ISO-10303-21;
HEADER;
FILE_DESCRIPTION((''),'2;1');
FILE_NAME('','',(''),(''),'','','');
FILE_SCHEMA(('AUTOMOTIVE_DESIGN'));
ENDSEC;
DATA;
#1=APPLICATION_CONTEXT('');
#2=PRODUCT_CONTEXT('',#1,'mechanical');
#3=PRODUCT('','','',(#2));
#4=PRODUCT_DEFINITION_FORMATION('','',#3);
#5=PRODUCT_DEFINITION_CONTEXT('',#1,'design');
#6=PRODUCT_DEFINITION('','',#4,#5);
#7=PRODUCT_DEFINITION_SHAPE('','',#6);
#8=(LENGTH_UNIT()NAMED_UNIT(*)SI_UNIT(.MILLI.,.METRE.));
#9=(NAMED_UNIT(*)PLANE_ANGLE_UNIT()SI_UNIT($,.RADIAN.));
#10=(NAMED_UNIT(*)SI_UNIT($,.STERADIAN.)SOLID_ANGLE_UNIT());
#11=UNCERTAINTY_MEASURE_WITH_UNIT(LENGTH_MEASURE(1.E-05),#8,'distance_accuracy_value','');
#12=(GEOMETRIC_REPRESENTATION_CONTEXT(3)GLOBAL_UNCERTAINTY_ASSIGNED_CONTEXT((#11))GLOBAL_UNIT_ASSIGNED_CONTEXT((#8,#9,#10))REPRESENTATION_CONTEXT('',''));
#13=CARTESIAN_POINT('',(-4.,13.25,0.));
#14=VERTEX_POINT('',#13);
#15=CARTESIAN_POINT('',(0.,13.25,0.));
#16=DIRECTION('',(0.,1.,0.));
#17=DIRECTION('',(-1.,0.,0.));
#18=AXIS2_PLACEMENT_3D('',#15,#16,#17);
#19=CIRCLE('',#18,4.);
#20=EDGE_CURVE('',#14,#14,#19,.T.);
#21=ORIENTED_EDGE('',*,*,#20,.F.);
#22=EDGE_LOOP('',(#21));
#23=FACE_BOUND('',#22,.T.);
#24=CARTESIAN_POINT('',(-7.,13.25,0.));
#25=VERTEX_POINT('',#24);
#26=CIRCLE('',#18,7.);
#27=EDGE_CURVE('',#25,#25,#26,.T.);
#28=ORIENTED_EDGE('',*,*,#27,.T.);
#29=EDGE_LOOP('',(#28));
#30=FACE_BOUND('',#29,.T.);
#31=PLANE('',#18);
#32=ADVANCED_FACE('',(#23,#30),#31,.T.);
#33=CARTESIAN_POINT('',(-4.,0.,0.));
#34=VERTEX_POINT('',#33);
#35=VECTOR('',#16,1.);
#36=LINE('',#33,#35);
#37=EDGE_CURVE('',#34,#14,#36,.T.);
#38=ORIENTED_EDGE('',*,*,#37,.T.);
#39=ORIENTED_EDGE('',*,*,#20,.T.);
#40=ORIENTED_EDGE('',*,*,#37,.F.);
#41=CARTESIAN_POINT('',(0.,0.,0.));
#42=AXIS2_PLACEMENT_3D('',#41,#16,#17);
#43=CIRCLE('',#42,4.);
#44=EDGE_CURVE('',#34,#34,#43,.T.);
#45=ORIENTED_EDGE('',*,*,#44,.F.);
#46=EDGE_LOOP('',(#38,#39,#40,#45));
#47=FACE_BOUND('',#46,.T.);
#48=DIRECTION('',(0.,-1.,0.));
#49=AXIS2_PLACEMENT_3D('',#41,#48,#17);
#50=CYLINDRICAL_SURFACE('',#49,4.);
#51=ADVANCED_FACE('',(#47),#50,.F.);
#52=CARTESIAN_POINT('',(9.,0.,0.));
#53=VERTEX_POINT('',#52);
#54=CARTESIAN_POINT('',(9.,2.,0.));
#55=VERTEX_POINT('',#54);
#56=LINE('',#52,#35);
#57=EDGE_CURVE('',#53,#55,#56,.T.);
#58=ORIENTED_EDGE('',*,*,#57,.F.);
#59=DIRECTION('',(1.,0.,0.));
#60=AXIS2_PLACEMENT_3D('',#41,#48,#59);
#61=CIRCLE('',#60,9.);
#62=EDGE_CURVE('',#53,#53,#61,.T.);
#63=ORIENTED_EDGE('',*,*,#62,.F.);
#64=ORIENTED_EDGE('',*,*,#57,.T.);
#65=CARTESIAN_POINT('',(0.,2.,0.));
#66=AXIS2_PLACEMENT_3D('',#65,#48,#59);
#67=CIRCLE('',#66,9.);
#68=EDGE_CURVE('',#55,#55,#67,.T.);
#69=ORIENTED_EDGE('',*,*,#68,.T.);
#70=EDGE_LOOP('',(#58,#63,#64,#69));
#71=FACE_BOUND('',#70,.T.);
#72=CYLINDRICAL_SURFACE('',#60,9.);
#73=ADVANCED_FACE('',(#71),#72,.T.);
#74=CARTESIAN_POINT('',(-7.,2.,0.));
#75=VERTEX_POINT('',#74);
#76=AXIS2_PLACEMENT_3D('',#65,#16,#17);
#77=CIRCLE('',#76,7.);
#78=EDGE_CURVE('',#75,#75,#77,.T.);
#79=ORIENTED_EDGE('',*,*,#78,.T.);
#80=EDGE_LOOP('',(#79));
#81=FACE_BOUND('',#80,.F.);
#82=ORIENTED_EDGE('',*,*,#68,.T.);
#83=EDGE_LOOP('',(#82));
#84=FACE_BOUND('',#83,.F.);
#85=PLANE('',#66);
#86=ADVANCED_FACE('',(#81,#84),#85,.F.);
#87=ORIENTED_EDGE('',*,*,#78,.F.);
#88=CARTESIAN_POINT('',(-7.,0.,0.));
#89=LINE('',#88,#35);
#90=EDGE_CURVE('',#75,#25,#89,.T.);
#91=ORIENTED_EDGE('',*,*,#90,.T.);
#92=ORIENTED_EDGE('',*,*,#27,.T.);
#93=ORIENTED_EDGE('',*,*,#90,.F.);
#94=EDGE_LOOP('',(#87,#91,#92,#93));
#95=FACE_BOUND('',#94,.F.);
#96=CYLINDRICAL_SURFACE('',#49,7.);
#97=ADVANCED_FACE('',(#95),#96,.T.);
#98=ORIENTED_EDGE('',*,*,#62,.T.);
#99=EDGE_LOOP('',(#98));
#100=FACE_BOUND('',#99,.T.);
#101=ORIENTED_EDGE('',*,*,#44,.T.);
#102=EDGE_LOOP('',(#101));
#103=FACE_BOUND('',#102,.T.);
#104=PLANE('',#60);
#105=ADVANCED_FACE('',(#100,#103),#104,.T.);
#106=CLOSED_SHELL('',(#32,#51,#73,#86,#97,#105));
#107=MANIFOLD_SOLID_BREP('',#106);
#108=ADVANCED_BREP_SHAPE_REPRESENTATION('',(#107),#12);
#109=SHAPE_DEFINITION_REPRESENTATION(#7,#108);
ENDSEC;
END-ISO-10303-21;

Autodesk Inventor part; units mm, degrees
ref_plane "YZ Plane" through (0, 0, 0) normal (1, 0, 0) x (0, 1, 0)
ref_plane "XZ Plane" through (0, 0, 0) normal (0, 1, 0) x (-1, 0, 0)
ref_plane "XY Plane" through (0, 0, 0) normal (0, 0, 1) x (1, 0, 0)
sketch "Sketch1" plane through (0, 0, 0) normal (0, 1, 0) x (-1, 0, 0)
  circle A0 centre (0, 0) radius 4
  circle A1 centre (0, 0) radius 7
  dimension "d0" = 3
  dimension "d2" = 8
extrude "Extrusion1" add sketch "Sketch1" along normal blind 13.25
sketch "Sketch2" plane through (0, 0, 0) normal (0, -1, 0) x (1, 0, 0)
  circle A0 centre (0, 0) radius 9
  circle A1 centre (0, 0) radius 7 projected
  dimension "d5" = 2
extrude "Extrusion2" add sketch "Sketch2" against normal blind 2
properties part number "springHolder"
